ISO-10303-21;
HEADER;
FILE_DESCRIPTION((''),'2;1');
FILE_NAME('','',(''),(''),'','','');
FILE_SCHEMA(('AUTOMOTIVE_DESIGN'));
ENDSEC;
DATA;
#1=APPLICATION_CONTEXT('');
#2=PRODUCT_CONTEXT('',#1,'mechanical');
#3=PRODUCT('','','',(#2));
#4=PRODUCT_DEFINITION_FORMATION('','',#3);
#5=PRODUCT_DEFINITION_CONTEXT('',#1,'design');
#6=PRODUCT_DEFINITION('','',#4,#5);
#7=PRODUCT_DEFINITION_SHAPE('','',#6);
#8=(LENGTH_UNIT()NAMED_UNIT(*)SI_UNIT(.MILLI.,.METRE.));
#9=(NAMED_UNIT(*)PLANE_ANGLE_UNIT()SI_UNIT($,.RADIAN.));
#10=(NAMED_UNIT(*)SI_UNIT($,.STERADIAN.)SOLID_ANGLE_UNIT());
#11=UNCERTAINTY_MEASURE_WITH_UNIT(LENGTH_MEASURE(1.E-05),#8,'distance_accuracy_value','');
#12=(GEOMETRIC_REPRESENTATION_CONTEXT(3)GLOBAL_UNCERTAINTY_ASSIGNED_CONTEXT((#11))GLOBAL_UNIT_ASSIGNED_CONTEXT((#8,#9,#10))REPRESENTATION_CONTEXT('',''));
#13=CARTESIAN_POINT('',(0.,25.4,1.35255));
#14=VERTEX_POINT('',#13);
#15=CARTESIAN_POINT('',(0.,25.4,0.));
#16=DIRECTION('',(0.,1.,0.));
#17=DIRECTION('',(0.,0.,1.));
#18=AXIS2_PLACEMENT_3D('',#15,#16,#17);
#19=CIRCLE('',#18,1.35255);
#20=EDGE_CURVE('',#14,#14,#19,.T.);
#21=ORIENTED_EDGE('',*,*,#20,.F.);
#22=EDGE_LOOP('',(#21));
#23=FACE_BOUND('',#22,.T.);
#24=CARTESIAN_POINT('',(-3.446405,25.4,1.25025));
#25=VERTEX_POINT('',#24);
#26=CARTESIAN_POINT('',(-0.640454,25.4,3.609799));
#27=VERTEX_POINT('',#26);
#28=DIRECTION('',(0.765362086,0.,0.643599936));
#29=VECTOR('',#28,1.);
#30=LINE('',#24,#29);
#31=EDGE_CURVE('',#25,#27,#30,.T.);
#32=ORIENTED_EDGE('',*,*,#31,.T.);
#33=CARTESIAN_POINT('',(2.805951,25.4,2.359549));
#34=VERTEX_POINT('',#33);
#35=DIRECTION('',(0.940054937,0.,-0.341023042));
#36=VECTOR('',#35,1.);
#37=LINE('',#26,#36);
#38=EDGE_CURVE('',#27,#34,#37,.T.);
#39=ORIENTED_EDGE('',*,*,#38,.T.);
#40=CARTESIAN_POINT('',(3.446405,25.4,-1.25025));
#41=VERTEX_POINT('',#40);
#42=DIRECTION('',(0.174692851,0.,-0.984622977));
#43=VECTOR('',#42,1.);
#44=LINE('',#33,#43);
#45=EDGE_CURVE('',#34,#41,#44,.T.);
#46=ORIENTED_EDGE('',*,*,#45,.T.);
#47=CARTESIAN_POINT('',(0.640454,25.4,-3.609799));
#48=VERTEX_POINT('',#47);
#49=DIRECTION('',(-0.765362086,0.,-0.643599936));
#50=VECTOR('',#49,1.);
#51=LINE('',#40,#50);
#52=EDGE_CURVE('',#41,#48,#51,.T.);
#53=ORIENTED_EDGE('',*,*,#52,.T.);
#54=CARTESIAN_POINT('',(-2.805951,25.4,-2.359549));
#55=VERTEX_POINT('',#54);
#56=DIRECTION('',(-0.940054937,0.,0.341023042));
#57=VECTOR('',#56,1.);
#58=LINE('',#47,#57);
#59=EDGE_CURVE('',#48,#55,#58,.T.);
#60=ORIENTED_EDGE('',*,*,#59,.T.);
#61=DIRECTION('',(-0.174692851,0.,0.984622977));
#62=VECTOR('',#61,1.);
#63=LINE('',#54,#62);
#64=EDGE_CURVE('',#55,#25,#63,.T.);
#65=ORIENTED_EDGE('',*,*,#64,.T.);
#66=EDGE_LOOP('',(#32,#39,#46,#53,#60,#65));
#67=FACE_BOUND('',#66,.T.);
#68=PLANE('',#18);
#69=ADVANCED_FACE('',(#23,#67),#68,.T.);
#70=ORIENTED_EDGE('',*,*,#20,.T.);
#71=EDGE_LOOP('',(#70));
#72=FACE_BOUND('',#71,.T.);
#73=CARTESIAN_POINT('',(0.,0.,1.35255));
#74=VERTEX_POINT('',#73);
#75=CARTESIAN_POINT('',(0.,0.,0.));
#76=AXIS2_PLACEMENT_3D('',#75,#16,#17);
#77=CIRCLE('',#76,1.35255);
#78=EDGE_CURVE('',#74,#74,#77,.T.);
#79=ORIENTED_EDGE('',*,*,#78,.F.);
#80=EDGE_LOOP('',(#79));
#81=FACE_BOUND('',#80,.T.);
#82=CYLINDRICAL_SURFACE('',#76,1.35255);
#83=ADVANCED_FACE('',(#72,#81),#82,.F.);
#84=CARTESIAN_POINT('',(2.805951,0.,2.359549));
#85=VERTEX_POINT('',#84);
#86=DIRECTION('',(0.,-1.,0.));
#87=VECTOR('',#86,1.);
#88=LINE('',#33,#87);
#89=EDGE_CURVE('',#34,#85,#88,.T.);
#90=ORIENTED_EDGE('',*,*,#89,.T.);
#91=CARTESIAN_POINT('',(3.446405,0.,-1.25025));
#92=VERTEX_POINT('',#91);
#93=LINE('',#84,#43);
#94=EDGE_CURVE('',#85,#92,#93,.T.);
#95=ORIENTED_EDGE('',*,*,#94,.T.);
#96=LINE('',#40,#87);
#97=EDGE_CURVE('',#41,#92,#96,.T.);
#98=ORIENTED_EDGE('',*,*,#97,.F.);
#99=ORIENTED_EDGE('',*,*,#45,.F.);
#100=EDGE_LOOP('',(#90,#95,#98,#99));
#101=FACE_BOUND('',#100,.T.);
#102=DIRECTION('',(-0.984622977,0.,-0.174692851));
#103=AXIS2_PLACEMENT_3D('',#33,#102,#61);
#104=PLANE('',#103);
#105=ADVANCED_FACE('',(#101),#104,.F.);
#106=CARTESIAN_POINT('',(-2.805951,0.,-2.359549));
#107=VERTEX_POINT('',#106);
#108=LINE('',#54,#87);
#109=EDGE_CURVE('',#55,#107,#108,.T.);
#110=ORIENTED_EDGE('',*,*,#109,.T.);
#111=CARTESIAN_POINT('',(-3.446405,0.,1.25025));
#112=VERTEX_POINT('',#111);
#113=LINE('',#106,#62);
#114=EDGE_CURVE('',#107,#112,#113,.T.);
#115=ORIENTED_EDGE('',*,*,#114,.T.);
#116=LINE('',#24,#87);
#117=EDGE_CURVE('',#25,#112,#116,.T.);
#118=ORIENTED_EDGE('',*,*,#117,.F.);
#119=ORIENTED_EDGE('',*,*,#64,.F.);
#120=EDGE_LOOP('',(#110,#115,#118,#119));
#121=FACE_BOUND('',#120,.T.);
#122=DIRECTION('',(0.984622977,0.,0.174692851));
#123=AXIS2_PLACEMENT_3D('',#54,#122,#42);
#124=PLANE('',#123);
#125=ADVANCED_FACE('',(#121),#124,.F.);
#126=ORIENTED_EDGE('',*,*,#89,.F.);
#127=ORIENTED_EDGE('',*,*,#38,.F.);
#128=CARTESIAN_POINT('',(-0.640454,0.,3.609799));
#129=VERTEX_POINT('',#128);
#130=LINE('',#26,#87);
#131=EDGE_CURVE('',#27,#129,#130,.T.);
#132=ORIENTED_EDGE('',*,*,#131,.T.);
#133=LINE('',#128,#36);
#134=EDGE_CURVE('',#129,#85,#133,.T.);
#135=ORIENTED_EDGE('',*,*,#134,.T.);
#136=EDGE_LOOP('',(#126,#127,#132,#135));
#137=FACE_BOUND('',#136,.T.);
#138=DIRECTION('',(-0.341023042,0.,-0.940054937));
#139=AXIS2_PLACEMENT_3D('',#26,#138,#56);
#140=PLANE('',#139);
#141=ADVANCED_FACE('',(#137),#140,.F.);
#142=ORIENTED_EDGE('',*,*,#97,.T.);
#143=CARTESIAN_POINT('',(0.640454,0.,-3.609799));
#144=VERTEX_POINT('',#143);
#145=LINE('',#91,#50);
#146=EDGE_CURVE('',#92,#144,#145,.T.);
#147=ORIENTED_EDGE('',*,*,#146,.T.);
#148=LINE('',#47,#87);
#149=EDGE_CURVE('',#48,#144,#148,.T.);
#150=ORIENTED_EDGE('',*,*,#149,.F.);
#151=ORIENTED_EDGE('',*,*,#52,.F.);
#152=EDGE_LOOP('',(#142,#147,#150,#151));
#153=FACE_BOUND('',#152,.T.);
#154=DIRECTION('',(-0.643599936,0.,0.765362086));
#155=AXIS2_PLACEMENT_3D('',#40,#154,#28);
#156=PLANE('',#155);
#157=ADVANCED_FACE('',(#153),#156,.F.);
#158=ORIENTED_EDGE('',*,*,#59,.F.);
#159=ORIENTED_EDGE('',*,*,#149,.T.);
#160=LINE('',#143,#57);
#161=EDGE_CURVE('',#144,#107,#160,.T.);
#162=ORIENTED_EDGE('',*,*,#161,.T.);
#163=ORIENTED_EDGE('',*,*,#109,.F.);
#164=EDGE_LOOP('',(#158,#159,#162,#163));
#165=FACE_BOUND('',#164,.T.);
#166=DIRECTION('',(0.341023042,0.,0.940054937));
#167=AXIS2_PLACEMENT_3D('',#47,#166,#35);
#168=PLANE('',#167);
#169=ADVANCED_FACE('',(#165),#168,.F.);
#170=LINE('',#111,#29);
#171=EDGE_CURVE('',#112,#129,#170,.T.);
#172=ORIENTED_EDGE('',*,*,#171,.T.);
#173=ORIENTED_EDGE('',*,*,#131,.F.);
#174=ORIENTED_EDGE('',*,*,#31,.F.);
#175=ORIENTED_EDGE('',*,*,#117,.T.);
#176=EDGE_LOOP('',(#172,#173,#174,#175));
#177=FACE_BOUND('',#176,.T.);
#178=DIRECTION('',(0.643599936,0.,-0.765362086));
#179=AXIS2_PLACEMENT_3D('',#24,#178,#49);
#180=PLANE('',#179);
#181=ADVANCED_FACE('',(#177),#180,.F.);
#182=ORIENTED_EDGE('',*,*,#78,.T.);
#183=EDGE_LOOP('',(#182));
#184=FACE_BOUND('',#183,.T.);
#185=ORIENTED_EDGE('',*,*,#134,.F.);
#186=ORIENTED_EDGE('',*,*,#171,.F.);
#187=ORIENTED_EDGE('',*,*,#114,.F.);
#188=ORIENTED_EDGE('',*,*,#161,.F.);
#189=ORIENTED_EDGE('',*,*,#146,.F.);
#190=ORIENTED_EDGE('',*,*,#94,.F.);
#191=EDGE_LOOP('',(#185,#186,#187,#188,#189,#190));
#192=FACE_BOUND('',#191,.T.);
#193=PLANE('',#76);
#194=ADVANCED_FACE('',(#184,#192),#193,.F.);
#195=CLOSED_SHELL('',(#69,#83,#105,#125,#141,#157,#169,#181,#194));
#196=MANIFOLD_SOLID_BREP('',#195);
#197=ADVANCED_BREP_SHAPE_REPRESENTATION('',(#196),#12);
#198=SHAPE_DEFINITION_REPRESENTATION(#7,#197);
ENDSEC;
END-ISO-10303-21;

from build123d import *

# Parameters (mm, degrees)
BOSS_EXTRUDE1_DEPTH = 25.4
SKETCH2_R           = 1.35255
CUT_EXTRUDE1_DEPTH  = 26.4


with BuildPart() as part:
    # Sketch1 → Boss-Extrude1 (new body)
    with BuildSketch(Plane(origin=(0, 0, 0), x_dir=(1, 0, 0), z_dir=(0, 1, 0))):
        Polygon((-2.80595074, 2.359549486), (-3.446405166, -1.25024988), (-0.640454426, -3.609799366), (2.80595074, -2.359549486), (3.446405166, 1.25024988), (0.640454426, 3.609799366), align=None)
    extrude(amount=BOSS_EXTRUDE1_DEPTH)

    # Sketch2 → Cut-Extrude1 (cut, through all)
    with BuildSketch(Plane(origin=(0, 25.4, 0), x_dir=(1, 0, 0), z_dir=(0, 1, 0))):
        Circle(SKETCH2_R)
    extrude(amount=-CUT_EXTRUDE1_DEPTH, mode=Mode.SUBTRACT)


solid = part.part
